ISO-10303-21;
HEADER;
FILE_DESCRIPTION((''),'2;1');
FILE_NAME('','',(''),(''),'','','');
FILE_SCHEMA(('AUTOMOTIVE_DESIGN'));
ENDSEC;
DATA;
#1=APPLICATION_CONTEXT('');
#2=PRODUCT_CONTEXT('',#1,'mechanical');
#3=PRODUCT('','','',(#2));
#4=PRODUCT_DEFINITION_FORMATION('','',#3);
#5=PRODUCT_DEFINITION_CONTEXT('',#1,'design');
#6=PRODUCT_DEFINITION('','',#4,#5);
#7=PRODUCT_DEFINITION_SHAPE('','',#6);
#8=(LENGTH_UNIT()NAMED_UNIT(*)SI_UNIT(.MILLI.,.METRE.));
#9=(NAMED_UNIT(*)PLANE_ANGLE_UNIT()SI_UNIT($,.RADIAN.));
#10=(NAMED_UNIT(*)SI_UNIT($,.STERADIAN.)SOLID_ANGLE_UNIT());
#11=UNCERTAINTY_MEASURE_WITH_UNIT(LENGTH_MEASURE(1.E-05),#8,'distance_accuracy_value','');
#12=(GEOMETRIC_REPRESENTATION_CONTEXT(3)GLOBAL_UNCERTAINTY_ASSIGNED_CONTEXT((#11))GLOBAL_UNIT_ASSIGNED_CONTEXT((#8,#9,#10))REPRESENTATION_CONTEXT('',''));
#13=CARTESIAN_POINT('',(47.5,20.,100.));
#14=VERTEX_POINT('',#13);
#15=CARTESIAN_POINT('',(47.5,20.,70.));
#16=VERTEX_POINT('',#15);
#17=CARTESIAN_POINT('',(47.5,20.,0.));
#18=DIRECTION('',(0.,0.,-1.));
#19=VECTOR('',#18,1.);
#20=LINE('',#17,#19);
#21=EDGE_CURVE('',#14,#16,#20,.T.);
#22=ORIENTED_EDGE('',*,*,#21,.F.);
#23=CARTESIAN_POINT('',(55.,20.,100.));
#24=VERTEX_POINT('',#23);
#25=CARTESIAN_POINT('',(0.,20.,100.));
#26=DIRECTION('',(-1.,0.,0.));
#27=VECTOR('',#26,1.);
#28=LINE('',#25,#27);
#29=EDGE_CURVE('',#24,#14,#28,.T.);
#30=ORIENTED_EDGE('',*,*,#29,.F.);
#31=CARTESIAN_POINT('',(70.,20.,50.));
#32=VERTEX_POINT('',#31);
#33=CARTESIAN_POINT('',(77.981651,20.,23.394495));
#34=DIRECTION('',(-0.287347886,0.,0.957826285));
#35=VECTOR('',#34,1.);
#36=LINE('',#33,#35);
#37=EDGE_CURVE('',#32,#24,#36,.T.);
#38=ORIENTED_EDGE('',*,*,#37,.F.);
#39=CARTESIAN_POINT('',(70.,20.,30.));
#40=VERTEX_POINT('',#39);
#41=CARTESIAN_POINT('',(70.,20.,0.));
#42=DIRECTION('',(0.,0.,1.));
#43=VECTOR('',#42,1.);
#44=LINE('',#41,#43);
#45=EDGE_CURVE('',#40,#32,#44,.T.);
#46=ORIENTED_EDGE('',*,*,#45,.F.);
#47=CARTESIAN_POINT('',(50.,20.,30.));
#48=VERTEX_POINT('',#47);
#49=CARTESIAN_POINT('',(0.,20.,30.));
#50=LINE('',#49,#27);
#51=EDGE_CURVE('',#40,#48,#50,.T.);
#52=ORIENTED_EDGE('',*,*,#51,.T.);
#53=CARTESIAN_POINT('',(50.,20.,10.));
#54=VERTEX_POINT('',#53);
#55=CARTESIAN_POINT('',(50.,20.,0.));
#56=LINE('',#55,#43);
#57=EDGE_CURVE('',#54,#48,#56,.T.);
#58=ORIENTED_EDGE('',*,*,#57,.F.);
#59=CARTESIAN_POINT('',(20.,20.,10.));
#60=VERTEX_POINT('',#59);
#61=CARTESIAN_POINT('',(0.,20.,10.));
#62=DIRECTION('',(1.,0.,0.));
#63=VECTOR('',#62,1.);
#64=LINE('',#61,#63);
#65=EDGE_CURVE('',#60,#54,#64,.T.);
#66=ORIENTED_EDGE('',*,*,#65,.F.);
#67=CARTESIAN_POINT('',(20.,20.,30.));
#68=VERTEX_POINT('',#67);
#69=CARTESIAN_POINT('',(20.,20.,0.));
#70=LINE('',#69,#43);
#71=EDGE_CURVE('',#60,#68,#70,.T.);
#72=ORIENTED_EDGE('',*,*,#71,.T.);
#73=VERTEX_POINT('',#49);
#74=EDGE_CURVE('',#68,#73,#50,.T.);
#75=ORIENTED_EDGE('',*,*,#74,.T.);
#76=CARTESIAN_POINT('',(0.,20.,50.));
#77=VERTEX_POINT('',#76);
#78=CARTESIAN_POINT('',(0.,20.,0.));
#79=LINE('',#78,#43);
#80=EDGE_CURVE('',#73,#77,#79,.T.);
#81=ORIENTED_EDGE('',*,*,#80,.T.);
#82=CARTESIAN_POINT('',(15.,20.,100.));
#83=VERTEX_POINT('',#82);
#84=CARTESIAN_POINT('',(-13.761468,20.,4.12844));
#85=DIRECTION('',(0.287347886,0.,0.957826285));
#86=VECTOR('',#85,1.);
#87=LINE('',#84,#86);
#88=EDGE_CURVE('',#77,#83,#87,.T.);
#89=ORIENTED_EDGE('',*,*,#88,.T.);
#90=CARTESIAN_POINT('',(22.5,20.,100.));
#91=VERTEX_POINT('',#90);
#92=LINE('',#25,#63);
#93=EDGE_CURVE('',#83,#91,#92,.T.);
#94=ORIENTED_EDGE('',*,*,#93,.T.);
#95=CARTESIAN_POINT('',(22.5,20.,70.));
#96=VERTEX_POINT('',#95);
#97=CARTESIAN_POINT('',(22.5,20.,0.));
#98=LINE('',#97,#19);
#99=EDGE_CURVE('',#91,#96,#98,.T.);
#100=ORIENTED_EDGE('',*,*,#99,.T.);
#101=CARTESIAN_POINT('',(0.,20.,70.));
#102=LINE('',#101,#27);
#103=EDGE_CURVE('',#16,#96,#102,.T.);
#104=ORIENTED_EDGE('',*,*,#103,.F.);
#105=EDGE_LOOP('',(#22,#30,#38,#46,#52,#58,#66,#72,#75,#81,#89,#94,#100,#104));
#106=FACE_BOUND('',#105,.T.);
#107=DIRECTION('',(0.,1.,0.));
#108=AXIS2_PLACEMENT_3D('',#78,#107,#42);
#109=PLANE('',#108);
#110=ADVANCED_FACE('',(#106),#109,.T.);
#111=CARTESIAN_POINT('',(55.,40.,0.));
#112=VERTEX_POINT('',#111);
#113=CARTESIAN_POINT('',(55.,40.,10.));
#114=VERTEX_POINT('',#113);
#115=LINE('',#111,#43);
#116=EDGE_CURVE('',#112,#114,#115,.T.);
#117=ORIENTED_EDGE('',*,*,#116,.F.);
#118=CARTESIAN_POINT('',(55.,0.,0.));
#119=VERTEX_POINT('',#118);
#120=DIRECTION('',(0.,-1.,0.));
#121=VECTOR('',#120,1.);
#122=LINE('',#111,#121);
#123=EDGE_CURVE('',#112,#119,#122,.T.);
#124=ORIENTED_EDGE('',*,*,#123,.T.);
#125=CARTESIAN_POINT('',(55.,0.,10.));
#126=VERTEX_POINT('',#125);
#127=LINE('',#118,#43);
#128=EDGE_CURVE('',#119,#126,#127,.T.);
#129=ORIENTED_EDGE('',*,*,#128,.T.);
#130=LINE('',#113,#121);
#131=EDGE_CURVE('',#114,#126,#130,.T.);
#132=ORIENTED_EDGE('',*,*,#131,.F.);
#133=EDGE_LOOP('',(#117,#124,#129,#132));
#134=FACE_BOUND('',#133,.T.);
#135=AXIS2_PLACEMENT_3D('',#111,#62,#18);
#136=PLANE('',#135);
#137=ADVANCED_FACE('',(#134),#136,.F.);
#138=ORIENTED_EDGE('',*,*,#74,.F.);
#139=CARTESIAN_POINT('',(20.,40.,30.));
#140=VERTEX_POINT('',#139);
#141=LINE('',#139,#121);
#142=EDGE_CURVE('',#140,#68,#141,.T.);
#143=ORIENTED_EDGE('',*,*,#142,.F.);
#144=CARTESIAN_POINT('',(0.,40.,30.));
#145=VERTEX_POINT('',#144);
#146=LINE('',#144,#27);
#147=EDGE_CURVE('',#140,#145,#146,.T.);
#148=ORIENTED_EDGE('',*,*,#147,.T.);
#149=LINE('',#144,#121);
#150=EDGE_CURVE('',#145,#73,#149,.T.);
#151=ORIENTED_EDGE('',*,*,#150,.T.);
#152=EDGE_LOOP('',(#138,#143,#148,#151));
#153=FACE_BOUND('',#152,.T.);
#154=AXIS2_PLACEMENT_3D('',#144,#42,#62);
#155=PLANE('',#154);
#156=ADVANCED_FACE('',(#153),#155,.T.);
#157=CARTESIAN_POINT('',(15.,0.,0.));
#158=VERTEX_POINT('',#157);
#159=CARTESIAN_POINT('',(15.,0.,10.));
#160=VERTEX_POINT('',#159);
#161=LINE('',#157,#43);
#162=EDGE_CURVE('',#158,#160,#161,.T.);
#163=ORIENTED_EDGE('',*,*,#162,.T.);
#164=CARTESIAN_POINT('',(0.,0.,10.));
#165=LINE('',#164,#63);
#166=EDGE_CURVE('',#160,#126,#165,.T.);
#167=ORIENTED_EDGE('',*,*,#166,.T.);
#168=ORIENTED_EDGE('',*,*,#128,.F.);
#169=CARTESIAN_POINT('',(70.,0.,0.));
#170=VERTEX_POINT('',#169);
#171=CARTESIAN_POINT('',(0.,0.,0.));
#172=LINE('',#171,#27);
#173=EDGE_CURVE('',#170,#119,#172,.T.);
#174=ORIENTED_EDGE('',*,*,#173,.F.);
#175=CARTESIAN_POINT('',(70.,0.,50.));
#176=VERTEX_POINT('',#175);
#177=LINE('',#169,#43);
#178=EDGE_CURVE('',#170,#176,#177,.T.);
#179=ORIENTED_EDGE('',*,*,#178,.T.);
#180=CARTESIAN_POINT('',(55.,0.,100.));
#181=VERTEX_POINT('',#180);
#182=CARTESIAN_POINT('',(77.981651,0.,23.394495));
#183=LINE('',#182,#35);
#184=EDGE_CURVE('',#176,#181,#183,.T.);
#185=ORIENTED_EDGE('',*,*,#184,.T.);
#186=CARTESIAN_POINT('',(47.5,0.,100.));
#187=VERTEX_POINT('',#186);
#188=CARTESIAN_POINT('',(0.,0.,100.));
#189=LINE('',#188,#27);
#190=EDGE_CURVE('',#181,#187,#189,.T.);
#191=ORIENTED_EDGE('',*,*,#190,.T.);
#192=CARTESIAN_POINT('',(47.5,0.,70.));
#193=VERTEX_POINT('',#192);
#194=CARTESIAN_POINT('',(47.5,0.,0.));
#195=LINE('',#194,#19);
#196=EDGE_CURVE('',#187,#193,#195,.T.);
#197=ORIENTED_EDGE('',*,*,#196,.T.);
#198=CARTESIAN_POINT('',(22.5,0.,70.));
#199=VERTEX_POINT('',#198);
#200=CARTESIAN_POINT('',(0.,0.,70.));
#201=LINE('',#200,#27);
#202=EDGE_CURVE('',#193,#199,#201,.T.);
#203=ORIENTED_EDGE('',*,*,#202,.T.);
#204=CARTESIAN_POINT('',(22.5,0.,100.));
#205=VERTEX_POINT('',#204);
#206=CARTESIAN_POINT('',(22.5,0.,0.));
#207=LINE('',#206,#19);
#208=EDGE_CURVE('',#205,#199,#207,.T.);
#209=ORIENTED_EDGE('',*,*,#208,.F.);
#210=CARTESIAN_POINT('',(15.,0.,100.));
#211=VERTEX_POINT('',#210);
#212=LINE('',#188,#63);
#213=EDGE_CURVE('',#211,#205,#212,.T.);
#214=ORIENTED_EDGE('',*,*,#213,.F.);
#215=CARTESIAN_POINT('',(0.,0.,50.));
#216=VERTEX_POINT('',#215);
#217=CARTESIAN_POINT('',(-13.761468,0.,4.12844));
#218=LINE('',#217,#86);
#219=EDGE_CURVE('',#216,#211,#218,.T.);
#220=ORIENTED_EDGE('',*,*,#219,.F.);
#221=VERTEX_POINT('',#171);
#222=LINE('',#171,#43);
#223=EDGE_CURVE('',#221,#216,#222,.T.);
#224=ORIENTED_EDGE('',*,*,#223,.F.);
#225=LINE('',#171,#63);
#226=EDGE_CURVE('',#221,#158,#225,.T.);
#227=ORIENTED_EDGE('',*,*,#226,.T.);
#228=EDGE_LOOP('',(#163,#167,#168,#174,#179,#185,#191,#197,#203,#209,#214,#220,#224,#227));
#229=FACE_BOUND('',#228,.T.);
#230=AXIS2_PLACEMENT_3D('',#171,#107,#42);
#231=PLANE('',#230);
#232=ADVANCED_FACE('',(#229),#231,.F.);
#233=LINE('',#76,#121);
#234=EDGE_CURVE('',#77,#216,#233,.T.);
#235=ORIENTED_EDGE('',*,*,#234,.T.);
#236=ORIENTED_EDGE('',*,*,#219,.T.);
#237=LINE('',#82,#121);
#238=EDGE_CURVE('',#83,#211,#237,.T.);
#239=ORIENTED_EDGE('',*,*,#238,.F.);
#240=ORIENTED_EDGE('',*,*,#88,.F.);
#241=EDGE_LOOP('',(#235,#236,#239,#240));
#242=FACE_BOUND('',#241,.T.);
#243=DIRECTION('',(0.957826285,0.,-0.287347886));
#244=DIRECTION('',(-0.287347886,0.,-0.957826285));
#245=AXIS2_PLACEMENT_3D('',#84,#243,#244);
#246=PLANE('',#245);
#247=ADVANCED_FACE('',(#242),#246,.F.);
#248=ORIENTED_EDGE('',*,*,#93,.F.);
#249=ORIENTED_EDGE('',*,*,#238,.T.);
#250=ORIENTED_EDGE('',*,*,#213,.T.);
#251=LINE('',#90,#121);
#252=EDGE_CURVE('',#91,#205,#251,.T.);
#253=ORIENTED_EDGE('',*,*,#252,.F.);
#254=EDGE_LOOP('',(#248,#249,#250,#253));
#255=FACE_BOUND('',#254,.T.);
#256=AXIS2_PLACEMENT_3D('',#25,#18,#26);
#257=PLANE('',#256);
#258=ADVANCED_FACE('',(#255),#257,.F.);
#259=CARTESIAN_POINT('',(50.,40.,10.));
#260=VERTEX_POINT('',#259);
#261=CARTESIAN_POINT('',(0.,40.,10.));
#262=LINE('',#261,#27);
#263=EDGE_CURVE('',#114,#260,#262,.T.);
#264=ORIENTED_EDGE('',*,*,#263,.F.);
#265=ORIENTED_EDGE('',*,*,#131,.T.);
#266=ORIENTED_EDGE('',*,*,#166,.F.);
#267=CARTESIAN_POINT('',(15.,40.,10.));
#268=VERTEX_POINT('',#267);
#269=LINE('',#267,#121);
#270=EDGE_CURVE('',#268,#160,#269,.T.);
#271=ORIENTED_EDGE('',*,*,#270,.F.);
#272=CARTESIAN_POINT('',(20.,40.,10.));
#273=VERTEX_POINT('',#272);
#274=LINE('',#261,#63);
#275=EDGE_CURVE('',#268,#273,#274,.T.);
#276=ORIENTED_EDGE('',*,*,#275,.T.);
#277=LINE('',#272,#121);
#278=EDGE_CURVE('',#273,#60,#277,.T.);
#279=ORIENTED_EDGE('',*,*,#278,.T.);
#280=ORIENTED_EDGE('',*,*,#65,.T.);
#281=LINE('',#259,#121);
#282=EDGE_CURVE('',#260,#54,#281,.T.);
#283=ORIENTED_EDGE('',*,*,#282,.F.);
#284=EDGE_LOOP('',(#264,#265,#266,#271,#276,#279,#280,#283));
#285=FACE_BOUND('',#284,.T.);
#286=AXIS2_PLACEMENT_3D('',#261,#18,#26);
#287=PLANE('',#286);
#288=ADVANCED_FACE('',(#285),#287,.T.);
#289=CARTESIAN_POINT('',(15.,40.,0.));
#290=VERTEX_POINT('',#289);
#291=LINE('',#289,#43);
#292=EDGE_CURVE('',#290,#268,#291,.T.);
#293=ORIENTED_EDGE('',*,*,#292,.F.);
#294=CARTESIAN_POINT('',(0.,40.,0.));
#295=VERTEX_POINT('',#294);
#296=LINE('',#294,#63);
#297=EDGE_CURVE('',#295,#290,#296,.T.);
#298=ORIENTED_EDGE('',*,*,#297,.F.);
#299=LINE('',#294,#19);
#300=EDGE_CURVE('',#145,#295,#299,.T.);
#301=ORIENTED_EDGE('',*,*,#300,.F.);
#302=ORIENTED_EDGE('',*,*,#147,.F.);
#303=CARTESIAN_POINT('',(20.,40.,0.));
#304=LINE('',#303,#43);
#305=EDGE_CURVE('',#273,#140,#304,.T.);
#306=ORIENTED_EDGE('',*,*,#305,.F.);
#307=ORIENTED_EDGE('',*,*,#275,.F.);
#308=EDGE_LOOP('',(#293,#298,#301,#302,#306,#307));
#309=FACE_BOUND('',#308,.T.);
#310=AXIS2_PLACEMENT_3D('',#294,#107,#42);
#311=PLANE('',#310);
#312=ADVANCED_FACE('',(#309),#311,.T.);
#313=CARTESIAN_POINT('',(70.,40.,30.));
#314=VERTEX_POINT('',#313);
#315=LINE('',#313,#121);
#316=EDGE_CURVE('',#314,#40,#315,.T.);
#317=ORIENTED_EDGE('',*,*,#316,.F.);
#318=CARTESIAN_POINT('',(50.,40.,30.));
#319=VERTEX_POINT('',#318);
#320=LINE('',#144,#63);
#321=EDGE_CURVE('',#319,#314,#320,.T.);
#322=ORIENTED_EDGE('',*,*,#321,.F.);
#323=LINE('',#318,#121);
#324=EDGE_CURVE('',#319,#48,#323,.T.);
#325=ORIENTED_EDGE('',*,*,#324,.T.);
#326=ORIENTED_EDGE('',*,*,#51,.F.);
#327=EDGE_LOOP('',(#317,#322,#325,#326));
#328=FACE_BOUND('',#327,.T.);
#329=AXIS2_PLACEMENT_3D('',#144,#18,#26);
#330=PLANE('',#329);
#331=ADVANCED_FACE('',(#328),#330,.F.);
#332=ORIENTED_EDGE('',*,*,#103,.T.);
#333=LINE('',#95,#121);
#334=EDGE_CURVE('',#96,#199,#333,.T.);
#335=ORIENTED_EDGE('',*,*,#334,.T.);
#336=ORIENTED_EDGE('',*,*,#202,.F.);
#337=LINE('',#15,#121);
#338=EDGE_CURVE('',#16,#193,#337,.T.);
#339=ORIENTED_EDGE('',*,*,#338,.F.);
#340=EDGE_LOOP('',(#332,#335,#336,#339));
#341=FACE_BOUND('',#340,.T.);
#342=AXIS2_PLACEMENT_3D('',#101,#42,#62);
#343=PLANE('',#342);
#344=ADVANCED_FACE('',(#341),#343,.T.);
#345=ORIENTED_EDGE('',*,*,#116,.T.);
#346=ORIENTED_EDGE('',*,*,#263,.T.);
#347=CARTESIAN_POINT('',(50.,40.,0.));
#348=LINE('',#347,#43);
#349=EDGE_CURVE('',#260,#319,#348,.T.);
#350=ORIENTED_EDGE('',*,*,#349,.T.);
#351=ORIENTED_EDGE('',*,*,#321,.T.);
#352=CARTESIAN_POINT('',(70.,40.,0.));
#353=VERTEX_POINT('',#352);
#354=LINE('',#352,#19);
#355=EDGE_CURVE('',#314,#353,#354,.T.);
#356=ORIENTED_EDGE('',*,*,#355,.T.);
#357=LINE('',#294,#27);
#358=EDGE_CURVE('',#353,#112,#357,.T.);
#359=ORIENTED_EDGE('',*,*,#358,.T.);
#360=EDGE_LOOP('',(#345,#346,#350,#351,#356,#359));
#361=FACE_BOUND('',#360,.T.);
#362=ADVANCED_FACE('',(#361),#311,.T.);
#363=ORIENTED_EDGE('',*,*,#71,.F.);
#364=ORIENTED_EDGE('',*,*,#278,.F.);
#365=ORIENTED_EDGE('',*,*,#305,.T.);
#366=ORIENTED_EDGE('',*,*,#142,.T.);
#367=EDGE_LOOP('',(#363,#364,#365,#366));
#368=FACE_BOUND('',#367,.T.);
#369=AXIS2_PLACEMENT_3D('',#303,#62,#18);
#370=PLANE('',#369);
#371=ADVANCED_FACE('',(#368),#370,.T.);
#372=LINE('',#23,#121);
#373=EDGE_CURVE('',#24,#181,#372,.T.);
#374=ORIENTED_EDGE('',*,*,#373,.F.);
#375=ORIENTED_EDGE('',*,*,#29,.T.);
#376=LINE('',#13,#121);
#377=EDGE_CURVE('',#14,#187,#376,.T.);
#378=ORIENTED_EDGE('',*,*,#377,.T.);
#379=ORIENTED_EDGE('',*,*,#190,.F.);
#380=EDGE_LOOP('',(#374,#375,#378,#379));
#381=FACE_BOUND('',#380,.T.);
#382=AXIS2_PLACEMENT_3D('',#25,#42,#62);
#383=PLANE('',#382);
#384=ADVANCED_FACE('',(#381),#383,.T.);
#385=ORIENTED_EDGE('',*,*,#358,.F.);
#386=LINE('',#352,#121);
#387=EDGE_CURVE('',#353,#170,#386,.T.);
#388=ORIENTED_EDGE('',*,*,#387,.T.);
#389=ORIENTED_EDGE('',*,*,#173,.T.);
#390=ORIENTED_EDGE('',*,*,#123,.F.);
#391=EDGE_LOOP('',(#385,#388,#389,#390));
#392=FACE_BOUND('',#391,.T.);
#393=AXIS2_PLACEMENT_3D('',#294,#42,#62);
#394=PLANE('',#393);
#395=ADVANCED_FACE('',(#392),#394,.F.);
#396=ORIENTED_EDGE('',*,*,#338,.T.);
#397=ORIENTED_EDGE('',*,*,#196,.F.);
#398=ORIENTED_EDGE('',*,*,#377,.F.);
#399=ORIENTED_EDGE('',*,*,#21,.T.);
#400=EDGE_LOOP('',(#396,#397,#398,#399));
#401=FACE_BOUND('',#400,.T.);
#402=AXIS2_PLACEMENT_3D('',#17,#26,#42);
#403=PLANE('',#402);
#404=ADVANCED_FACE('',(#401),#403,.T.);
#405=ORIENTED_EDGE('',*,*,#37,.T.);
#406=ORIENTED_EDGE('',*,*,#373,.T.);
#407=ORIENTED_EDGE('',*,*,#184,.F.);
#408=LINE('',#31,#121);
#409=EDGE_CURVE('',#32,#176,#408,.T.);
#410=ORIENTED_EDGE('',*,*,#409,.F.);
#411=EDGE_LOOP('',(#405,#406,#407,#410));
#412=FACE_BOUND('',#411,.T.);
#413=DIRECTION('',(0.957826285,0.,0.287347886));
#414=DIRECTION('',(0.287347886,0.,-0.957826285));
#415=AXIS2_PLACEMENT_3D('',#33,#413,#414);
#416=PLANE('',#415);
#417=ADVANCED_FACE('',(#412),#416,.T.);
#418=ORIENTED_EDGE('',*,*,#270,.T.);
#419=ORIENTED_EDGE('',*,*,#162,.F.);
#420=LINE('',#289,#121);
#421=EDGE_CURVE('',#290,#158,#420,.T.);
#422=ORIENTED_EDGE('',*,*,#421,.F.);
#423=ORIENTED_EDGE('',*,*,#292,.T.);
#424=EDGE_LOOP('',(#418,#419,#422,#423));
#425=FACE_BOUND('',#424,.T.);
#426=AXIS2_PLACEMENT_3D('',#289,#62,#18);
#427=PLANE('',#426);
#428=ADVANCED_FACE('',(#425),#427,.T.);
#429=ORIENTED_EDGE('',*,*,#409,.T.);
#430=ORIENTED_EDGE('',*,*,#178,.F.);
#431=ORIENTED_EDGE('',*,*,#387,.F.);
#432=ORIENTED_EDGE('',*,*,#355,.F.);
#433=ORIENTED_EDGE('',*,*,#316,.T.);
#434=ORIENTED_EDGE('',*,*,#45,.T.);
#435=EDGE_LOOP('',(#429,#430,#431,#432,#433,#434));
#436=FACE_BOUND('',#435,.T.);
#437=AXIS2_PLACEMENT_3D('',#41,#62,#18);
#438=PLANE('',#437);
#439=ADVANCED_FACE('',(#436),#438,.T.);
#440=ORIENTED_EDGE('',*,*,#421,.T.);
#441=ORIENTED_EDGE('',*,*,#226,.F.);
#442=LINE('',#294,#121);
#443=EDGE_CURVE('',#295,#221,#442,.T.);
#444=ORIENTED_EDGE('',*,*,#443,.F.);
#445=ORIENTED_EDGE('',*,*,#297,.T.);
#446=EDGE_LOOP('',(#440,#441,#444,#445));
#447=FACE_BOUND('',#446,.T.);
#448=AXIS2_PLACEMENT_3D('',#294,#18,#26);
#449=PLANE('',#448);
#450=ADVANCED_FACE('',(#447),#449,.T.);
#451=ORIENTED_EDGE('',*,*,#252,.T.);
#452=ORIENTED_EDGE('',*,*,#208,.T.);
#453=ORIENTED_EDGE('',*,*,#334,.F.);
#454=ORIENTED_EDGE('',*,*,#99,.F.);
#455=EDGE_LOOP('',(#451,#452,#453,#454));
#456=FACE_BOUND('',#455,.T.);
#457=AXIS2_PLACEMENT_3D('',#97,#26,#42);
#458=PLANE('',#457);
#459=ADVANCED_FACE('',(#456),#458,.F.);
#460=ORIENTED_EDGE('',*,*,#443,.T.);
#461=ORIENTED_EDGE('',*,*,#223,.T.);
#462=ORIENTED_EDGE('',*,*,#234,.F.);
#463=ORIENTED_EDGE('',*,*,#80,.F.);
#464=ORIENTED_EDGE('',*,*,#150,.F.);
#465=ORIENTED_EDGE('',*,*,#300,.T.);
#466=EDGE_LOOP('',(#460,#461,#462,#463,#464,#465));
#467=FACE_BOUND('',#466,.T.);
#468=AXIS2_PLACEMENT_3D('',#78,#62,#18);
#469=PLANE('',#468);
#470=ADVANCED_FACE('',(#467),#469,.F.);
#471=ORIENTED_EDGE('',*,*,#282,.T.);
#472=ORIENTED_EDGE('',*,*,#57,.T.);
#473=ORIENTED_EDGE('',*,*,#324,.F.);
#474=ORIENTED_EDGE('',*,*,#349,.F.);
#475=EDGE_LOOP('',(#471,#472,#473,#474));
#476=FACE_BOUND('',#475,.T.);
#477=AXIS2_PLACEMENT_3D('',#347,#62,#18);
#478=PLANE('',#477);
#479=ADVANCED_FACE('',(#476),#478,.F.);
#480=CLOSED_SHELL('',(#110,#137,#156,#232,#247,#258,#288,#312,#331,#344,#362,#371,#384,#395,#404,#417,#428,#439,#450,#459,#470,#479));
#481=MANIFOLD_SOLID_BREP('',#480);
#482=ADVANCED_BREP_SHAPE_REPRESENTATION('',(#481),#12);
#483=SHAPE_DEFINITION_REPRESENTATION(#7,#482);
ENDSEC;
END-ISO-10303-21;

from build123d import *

# Parameters (mm, degrees)
BOSS_EXTRUDE1_DEPTH = 20
BOSS_EXTRUDE2_DEPTH = 40
SKETCH1_4_W         = 30
SKETCH1_4_H         = 20
BOSS_EXTRUDE3_DEPTH = 20


with BuildPart() as part:
    # Sketch1 → Boss-Extrude1 (new body)
    with BuildSketch(Plane(origin=(0, 0, 0), x_dir=(1, 0, 0), z_dir=(0, 1, 0))):
        Polygon((0, -30), (0, -50), (15, -100), (22.5, -100), (22.5, -70), (47.5, -70), (47.5, -100), (55, -100), (70, -50), (70, -30), align=None)
    extrude(amount=BOSS_EXTRUDE1_DEPTH)

    # Sketch1<3> → Boss-Extrude2 (add)
    with BuildSketch(Plane(origin=(0, 0, 0), x_dir=(1, 0, 0), z_dir=(0, 1, 0))):
        Polygon((15, 0), (0, 0), (0, -30), (20, -30), (20, -10), (15, -10), align=None)
        Polygon((50, -10), (50, -30), (70, -30), (70, 0), (55, 0), (55, -10), align=None)
    extrude(amount=BOSS_EXTRUDE2_DEPTH)

    # Sketch1<4> → Boss-Extrude3 (add)
    with BuildSketch(Plane(origin=(0, 0, 0), x_dir=(1, 0, 0), z_dir=(0, 1, 0))):
        with Locations((35, -20)):
            Rectangle(SKETCH1_4_W, SKETCH1_4_H)
    extrude(amount=BOSS_EXTRUDE3_DEPTH)


solid = part.part
